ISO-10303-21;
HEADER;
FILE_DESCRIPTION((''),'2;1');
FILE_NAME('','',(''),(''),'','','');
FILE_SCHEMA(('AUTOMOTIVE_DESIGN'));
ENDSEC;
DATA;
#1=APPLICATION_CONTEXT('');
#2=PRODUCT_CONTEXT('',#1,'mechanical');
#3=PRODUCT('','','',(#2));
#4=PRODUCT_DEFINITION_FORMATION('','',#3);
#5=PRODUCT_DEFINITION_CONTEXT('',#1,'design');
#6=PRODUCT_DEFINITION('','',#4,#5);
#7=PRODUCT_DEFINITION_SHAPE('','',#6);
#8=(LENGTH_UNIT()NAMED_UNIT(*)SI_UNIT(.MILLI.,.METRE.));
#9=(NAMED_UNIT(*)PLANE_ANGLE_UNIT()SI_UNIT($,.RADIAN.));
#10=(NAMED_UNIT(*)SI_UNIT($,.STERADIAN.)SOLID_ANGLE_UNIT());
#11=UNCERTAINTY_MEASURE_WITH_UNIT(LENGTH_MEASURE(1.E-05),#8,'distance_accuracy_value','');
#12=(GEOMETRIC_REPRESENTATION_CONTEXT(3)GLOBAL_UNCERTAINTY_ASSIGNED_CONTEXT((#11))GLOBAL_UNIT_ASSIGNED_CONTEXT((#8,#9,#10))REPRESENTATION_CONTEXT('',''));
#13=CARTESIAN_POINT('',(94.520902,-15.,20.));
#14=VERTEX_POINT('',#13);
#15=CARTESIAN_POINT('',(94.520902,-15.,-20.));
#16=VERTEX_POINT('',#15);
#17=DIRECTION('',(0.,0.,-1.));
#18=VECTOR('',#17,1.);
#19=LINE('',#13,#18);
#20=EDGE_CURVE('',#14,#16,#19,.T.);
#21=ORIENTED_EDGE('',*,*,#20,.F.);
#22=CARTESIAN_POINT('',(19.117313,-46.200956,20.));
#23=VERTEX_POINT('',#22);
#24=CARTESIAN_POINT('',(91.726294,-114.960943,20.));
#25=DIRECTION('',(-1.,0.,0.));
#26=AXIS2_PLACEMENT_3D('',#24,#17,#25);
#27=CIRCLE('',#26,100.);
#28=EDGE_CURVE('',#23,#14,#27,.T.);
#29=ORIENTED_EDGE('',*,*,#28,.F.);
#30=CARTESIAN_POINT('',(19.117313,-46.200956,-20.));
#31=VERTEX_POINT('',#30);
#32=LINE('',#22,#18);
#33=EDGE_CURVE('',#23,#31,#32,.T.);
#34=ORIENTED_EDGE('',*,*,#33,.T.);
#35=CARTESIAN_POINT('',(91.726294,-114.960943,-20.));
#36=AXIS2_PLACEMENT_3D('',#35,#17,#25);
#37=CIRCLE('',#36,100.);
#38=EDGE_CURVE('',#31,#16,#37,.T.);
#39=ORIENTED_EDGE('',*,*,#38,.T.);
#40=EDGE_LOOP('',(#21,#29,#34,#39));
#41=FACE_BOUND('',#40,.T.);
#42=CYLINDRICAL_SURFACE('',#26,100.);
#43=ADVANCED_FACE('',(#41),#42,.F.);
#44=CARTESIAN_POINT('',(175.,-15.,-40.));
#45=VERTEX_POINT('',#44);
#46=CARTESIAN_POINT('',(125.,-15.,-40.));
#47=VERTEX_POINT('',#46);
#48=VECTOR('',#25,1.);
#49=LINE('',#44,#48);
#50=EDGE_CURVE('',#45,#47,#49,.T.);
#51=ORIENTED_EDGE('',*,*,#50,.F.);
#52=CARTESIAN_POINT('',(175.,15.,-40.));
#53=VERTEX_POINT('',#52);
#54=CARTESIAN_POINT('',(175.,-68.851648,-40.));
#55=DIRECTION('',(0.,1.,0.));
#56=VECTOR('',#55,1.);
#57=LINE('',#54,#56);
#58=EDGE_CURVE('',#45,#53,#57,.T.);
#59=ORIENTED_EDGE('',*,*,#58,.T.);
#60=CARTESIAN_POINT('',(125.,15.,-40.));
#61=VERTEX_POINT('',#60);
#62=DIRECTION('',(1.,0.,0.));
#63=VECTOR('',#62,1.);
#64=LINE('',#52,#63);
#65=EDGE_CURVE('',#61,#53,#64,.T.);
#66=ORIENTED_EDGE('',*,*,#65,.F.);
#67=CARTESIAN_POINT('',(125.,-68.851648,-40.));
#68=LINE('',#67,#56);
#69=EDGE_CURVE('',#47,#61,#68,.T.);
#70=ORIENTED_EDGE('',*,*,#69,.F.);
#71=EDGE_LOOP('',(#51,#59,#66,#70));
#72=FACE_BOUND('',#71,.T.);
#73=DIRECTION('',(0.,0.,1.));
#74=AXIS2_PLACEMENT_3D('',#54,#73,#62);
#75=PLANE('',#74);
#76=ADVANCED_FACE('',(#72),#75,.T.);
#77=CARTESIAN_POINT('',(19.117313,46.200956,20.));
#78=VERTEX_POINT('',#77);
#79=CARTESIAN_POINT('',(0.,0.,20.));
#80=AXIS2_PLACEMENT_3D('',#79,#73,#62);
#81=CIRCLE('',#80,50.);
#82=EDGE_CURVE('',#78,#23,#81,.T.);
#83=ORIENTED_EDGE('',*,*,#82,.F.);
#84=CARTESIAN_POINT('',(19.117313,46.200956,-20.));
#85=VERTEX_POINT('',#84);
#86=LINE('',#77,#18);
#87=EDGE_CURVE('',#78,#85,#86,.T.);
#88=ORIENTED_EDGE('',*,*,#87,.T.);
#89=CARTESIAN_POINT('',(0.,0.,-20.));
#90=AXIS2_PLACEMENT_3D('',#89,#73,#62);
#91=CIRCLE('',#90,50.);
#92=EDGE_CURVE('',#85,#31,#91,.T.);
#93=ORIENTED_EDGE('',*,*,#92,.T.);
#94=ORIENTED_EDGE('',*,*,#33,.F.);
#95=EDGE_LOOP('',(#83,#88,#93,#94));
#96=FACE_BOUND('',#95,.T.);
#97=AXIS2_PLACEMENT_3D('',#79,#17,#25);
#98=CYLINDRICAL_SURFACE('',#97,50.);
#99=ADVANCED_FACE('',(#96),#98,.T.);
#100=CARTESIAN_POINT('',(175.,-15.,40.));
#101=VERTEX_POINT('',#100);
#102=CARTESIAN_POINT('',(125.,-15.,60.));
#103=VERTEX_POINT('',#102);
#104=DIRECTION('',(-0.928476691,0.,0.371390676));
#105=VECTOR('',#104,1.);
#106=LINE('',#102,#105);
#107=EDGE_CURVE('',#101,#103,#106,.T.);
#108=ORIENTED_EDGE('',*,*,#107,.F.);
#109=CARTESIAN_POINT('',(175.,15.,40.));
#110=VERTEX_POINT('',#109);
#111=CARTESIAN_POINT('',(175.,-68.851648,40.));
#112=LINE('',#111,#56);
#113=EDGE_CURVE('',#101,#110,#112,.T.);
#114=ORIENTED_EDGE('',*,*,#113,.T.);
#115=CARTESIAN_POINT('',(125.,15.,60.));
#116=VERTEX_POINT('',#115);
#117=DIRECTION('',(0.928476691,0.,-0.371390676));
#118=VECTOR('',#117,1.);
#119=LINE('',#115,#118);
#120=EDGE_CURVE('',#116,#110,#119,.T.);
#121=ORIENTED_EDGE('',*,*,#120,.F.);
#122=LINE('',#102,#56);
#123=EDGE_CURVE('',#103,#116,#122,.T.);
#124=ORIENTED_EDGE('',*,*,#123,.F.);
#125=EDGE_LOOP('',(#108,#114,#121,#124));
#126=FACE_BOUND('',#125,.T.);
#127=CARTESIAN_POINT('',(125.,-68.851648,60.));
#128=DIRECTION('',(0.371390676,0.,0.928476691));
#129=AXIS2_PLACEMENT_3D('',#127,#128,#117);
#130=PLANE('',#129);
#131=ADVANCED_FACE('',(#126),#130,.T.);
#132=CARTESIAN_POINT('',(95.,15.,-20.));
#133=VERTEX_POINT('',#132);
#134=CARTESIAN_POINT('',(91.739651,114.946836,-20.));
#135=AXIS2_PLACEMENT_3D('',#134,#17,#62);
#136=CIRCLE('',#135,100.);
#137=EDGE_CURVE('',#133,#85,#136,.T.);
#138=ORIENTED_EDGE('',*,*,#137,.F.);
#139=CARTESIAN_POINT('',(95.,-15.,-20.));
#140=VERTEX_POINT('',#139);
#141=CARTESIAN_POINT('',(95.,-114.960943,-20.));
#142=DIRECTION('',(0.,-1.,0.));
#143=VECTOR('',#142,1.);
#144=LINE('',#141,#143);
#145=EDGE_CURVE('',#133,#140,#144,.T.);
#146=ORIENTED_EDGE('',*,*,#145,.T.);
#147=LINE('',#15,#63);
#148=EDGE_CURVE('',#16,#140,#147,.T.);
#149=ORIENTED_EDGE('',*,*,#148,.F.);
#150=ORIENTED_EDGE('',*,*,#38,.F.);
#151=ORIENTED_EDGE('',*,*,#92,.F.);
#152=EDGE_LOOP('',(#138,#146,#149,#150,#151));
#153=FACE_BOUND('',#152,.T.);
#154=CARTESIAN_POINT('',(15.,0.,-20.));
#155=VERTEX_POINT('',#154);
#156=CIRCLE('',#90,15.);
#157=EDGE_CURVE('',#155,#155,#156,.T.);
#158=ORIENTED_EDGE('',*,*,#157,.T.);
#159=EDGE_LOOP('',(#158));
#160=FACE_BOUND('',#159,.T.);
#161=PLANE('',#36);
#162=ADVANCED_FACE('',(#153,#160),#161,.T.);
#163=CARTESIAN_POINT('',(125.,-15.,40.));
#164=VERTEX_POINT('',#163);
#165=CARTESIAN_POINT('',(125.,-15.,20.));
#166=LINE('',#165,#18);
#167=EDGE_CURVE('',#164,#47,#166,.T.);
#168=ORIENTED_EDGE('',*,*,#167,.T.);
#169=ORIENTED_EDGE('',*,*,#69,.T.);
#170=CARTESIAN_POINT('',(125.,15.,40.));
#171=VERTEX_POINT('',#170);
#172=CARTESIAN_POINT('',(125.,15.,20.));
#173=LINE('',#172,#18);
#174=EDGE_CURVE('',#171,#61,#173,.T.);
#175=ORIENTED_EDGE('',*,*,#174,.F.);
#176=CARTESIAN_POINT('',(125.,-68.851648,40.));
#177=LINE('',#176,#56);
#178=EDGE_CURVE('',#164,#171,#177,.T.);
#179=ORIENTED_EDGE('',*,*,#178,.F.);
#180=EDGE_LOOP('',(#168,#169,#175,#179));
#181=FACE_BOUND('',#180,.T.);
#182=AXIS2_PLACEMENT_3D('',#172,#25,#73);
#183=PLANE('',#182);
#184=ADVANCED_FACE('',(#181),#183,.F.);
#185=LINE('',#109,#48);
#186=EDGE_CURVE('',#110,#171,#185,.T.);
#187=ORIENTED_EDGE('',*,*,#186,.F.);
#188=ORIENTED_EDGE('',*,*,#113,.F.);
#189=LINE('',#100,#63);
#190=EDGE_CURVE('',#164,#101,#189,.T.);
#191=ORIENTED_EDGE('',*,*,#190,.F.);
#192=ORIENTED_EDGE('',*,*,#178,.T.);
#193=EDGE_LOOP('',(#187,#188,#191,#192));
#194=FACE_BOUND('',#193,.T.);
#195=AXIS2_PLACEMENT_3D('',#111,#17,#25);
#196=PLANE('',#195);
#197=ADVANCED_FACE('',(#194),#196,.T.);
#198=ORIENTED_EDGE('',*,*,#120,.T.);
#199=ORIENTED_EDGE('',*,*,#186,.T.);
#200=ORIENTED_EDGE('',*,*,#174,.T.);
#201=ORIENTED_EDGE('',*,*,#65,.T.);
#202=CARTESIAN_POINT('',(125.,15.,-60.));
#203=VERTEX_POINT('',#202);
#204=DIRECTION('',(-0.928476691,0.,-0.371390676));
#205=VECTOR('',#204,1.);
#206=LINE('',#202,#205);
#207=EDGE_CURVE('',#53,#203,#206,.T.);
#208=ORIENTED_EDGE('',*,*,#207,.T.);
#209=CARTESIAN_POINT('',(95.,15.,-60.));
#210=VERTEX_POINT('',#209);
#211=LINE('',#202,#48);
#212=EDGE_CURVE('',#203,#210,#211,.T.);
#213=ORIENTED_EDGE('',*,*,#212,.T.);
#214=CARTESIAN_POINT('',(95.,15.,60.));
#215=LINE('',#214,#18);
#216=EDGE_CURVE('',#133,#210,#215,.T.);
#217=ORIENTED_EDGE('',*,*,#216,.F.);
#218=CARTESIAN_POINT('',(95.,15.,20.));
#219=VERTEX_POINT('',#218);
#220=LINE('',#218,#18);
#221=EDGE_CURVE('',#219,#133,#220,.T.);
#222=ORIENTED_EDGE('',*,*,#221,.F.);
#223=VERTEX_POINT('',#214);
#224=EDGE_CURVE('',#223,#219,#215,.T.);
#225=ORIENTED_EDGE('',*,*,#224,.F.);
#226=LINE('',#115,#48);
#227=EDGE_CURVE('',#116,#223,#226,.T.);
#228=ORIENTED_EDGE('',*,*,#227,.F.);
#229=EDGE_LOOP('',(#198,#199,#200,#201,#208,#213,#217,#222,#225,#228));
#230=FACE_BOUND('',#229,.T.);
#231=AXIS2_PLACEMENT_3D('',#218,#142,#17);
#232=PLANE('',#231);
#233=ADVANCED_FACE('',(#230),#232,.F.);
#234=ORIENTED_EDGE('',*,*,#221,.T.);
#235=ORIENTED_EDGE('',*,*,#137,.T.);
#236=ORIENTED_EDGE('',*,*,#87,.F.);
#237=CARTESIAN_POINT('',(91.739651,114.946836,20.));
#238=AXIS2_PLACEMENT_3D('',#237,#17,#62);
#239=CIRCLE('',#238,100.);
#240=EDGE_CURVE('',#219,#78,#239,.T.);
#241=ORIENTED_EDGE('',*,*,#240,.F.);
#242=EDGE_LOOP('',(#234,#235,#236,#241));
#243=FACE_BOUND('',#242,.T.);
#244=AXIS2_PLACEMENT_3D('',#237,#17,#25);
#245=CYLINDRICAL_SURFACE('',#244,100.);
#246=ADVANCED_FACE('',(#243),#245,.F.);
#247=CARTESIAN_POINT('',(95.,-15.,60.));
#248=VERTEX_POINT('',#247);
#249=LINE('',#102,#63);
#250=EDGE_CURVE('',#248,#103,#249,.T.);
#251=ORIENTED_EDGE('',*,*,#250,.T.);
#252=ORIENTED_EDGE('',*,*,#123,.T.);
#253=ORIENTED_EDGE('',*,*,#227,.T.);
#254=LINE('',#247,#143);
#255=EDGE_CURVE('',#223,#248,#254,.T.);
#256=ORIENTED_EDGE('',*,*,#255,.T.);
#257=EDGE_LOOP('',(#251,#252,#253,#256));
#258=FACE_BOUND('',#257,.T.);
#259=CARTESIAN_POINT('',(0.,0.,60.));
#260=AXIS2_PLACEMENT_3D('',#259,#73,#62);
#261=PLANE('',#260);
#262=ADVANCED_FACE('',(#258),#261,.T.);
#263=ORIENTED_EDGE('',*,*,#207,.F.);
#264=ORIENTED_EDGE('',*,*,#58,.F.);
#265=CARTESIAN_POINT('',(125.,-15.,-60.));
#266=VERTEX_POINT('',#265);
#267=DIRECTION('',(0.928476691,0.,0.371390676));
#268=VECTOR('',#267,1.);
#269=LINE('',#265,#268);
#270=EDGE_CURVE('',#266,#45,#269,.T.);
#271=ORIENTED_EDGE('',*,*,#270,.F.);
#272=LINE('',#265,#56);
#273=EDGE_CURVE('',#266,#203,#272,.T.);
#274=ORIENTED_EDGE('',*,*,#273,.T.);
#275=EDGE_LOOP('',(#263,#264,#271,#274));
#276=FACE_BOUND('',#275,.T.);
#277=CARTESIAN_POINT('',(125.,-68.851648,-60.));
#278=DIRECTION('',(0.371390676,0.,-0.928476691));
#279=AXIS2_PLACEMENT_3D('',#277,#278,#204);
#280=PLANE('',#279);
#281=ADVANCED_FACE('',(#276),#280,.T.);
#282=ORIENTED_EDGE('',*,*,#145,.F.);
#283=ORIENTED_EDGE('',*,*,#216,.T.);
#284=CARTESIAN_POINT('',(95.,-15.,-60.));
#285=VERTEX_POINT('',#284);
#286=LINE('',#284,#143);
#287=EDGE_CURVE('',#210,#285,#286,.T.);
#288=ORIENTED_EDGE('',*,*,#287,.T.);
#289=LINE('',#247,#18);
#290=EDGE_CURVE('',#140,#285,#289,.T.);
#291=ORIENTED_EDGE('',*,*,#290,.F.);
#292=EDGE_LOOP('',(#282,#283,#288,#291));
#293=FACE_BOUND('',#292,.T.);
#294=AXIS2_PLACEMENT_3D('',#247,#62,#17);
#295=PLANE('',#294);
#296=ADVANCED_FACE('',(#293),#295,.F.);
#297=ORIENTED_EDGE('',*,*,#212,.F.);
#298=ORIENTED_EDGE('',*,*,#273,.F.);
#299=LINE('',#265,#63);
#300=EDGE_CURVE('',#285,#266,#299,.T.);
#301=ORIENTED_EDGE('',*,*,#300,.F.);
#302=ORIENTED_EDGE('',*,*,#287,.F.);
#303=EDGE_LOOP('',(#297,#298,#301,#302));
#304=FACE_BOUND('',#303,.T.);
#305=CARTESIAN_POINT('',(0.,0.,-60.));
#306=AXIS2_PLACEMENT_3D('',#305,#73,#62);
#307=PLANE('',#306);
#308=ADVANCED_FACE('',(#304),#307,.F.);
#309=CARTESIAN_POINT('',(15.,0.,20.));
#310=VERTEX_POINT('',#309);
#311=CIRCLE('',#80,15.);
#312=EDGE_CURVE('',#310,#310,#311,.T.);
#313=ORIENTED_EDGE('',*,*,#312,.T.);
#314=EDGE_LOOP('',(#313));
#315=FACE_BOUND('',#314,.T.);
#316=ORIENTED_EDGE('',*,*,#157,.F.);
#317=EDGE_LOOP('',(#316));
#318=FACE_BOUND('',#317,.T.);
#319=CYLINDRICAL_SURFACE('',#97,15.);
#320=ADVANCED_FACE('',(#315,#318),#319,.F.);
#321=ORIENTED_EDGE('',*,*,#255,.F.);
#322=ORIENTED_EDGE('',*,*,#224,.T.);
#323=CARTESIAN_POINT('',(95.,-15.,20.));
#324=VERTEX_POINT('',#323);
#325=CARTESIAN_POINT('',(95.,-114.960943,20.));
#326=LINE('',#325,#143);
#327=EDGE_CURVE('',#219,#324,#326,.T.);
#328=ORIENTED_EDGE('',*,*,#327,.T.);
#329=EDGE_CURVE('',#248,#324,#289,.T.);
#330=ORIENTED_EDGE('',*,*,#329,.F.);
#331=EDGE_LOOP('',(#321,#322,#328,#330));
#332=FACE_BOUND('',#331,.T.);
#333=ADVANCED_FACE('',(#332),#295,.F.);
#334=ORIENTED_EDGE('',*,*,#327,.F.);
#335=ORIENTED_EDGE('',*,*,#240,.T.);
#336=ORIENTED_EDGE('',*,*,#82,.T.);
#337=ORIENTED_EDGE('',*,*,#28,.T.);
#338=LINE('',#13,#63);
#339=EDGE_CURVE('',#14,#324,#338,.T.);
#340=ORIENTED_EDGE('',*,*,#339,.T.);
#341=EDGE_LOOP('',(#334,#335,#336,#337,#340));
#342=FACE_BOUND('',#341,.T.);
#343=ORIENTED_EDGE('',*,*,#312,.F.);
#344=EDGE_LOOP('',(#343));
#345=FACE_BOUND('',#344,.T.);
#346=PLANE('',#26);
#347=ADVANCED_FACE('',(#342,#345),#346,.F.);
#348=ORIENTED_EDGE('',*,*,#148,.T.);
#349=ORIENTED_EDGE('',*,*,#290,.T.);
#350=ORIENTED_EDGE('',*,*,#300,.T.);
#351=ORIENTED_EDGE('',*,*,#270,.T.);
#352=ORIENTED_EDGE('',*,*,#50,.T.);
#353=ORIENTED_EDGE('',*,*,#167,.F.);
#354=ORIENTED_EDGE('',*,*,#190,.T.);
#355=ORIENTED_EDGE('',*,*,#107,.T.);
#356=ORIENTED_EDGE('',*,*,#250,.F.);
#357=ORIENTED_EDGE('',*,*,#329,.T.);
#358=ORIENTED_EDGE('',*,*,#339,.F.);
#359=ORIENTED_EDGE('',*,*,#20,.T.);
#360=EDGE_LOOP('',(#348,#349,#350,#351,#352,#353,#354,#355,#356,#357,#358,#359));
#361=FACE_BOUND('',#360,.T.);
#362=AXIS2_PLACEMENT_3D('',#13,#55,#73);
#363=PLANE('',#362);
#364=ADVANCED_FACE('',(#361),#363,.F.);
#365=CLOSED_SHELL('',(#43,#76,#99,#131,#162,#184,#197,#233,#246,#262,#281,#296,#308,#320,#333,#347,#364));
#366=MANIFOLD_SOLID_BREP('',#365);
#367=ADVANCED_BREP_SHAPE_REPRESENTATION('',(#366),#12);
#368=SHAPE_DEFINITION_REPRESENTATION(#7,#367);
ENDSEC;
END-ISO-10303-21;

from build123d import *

# Parameters (mm, degrees)
SKETCH1_R           = 15
BOSS_EXTRUDE1_DEPTH = 20
SKETCH5_W           = 30
SKETCH5_H           = 30
BOSS_EXTRUDE2_DEPTH = 60
BOSS_EXTRUDE3_DEPTH = 30


with BuildPart() as part:
    # Sketch1 → Boss-Extrude1 (new, symmetric)
    with BuildSketch(Plane.XY):
        with BuildLine():
            Line((95, 15), (125, 15))
            Line((125, 15), (125, -15))
            Line((125, -15), (94.520902358, -15))
            ThreePointArc((94.520902358, -15), (53.491668614, -22.559030862), (19.11731281, -46.200956169))
            ThreePointArc((19.11731281, -46.200956169), (-50, 0), (19.11731281, 46.200956169))
            ThreePointArc((19.11731281, 46.200956169), (53.711420625, 22.459790206), (95, 15))
        make_face()
        Circle(SKETCH1_R, mode=Mode.SUBTRACT)
    extrude(amount=BOSS_EXTRUDE1_DEPTH, both=True)

    # Sketch5 → Boss-Extrude2 (add, symmetric)
    with BuildSketch(Plane.XY):
        with Locations((110, 0)):
            Rectangle(SKETCH5_W, SKETCH5_H)
    extrude(amount=BOSS_EXTRUDE2_DEPTH, both=True)

    # Sketch6 → Boss-Extrude3 (add)
    with BuildSketch(Plane(origin=(0, 15, 0), x_dir=(1, 0, 0), z_dir=(0, 1, 0))):
        Polygon((125, 60), (175, 40), (125, 40), align=None)
        Polygon((125, -60), (175, -40), (125, -40), align=None)
    extrude(amount=-BOSS_EXTRUDE3_DEPTH)


solid = part.part
